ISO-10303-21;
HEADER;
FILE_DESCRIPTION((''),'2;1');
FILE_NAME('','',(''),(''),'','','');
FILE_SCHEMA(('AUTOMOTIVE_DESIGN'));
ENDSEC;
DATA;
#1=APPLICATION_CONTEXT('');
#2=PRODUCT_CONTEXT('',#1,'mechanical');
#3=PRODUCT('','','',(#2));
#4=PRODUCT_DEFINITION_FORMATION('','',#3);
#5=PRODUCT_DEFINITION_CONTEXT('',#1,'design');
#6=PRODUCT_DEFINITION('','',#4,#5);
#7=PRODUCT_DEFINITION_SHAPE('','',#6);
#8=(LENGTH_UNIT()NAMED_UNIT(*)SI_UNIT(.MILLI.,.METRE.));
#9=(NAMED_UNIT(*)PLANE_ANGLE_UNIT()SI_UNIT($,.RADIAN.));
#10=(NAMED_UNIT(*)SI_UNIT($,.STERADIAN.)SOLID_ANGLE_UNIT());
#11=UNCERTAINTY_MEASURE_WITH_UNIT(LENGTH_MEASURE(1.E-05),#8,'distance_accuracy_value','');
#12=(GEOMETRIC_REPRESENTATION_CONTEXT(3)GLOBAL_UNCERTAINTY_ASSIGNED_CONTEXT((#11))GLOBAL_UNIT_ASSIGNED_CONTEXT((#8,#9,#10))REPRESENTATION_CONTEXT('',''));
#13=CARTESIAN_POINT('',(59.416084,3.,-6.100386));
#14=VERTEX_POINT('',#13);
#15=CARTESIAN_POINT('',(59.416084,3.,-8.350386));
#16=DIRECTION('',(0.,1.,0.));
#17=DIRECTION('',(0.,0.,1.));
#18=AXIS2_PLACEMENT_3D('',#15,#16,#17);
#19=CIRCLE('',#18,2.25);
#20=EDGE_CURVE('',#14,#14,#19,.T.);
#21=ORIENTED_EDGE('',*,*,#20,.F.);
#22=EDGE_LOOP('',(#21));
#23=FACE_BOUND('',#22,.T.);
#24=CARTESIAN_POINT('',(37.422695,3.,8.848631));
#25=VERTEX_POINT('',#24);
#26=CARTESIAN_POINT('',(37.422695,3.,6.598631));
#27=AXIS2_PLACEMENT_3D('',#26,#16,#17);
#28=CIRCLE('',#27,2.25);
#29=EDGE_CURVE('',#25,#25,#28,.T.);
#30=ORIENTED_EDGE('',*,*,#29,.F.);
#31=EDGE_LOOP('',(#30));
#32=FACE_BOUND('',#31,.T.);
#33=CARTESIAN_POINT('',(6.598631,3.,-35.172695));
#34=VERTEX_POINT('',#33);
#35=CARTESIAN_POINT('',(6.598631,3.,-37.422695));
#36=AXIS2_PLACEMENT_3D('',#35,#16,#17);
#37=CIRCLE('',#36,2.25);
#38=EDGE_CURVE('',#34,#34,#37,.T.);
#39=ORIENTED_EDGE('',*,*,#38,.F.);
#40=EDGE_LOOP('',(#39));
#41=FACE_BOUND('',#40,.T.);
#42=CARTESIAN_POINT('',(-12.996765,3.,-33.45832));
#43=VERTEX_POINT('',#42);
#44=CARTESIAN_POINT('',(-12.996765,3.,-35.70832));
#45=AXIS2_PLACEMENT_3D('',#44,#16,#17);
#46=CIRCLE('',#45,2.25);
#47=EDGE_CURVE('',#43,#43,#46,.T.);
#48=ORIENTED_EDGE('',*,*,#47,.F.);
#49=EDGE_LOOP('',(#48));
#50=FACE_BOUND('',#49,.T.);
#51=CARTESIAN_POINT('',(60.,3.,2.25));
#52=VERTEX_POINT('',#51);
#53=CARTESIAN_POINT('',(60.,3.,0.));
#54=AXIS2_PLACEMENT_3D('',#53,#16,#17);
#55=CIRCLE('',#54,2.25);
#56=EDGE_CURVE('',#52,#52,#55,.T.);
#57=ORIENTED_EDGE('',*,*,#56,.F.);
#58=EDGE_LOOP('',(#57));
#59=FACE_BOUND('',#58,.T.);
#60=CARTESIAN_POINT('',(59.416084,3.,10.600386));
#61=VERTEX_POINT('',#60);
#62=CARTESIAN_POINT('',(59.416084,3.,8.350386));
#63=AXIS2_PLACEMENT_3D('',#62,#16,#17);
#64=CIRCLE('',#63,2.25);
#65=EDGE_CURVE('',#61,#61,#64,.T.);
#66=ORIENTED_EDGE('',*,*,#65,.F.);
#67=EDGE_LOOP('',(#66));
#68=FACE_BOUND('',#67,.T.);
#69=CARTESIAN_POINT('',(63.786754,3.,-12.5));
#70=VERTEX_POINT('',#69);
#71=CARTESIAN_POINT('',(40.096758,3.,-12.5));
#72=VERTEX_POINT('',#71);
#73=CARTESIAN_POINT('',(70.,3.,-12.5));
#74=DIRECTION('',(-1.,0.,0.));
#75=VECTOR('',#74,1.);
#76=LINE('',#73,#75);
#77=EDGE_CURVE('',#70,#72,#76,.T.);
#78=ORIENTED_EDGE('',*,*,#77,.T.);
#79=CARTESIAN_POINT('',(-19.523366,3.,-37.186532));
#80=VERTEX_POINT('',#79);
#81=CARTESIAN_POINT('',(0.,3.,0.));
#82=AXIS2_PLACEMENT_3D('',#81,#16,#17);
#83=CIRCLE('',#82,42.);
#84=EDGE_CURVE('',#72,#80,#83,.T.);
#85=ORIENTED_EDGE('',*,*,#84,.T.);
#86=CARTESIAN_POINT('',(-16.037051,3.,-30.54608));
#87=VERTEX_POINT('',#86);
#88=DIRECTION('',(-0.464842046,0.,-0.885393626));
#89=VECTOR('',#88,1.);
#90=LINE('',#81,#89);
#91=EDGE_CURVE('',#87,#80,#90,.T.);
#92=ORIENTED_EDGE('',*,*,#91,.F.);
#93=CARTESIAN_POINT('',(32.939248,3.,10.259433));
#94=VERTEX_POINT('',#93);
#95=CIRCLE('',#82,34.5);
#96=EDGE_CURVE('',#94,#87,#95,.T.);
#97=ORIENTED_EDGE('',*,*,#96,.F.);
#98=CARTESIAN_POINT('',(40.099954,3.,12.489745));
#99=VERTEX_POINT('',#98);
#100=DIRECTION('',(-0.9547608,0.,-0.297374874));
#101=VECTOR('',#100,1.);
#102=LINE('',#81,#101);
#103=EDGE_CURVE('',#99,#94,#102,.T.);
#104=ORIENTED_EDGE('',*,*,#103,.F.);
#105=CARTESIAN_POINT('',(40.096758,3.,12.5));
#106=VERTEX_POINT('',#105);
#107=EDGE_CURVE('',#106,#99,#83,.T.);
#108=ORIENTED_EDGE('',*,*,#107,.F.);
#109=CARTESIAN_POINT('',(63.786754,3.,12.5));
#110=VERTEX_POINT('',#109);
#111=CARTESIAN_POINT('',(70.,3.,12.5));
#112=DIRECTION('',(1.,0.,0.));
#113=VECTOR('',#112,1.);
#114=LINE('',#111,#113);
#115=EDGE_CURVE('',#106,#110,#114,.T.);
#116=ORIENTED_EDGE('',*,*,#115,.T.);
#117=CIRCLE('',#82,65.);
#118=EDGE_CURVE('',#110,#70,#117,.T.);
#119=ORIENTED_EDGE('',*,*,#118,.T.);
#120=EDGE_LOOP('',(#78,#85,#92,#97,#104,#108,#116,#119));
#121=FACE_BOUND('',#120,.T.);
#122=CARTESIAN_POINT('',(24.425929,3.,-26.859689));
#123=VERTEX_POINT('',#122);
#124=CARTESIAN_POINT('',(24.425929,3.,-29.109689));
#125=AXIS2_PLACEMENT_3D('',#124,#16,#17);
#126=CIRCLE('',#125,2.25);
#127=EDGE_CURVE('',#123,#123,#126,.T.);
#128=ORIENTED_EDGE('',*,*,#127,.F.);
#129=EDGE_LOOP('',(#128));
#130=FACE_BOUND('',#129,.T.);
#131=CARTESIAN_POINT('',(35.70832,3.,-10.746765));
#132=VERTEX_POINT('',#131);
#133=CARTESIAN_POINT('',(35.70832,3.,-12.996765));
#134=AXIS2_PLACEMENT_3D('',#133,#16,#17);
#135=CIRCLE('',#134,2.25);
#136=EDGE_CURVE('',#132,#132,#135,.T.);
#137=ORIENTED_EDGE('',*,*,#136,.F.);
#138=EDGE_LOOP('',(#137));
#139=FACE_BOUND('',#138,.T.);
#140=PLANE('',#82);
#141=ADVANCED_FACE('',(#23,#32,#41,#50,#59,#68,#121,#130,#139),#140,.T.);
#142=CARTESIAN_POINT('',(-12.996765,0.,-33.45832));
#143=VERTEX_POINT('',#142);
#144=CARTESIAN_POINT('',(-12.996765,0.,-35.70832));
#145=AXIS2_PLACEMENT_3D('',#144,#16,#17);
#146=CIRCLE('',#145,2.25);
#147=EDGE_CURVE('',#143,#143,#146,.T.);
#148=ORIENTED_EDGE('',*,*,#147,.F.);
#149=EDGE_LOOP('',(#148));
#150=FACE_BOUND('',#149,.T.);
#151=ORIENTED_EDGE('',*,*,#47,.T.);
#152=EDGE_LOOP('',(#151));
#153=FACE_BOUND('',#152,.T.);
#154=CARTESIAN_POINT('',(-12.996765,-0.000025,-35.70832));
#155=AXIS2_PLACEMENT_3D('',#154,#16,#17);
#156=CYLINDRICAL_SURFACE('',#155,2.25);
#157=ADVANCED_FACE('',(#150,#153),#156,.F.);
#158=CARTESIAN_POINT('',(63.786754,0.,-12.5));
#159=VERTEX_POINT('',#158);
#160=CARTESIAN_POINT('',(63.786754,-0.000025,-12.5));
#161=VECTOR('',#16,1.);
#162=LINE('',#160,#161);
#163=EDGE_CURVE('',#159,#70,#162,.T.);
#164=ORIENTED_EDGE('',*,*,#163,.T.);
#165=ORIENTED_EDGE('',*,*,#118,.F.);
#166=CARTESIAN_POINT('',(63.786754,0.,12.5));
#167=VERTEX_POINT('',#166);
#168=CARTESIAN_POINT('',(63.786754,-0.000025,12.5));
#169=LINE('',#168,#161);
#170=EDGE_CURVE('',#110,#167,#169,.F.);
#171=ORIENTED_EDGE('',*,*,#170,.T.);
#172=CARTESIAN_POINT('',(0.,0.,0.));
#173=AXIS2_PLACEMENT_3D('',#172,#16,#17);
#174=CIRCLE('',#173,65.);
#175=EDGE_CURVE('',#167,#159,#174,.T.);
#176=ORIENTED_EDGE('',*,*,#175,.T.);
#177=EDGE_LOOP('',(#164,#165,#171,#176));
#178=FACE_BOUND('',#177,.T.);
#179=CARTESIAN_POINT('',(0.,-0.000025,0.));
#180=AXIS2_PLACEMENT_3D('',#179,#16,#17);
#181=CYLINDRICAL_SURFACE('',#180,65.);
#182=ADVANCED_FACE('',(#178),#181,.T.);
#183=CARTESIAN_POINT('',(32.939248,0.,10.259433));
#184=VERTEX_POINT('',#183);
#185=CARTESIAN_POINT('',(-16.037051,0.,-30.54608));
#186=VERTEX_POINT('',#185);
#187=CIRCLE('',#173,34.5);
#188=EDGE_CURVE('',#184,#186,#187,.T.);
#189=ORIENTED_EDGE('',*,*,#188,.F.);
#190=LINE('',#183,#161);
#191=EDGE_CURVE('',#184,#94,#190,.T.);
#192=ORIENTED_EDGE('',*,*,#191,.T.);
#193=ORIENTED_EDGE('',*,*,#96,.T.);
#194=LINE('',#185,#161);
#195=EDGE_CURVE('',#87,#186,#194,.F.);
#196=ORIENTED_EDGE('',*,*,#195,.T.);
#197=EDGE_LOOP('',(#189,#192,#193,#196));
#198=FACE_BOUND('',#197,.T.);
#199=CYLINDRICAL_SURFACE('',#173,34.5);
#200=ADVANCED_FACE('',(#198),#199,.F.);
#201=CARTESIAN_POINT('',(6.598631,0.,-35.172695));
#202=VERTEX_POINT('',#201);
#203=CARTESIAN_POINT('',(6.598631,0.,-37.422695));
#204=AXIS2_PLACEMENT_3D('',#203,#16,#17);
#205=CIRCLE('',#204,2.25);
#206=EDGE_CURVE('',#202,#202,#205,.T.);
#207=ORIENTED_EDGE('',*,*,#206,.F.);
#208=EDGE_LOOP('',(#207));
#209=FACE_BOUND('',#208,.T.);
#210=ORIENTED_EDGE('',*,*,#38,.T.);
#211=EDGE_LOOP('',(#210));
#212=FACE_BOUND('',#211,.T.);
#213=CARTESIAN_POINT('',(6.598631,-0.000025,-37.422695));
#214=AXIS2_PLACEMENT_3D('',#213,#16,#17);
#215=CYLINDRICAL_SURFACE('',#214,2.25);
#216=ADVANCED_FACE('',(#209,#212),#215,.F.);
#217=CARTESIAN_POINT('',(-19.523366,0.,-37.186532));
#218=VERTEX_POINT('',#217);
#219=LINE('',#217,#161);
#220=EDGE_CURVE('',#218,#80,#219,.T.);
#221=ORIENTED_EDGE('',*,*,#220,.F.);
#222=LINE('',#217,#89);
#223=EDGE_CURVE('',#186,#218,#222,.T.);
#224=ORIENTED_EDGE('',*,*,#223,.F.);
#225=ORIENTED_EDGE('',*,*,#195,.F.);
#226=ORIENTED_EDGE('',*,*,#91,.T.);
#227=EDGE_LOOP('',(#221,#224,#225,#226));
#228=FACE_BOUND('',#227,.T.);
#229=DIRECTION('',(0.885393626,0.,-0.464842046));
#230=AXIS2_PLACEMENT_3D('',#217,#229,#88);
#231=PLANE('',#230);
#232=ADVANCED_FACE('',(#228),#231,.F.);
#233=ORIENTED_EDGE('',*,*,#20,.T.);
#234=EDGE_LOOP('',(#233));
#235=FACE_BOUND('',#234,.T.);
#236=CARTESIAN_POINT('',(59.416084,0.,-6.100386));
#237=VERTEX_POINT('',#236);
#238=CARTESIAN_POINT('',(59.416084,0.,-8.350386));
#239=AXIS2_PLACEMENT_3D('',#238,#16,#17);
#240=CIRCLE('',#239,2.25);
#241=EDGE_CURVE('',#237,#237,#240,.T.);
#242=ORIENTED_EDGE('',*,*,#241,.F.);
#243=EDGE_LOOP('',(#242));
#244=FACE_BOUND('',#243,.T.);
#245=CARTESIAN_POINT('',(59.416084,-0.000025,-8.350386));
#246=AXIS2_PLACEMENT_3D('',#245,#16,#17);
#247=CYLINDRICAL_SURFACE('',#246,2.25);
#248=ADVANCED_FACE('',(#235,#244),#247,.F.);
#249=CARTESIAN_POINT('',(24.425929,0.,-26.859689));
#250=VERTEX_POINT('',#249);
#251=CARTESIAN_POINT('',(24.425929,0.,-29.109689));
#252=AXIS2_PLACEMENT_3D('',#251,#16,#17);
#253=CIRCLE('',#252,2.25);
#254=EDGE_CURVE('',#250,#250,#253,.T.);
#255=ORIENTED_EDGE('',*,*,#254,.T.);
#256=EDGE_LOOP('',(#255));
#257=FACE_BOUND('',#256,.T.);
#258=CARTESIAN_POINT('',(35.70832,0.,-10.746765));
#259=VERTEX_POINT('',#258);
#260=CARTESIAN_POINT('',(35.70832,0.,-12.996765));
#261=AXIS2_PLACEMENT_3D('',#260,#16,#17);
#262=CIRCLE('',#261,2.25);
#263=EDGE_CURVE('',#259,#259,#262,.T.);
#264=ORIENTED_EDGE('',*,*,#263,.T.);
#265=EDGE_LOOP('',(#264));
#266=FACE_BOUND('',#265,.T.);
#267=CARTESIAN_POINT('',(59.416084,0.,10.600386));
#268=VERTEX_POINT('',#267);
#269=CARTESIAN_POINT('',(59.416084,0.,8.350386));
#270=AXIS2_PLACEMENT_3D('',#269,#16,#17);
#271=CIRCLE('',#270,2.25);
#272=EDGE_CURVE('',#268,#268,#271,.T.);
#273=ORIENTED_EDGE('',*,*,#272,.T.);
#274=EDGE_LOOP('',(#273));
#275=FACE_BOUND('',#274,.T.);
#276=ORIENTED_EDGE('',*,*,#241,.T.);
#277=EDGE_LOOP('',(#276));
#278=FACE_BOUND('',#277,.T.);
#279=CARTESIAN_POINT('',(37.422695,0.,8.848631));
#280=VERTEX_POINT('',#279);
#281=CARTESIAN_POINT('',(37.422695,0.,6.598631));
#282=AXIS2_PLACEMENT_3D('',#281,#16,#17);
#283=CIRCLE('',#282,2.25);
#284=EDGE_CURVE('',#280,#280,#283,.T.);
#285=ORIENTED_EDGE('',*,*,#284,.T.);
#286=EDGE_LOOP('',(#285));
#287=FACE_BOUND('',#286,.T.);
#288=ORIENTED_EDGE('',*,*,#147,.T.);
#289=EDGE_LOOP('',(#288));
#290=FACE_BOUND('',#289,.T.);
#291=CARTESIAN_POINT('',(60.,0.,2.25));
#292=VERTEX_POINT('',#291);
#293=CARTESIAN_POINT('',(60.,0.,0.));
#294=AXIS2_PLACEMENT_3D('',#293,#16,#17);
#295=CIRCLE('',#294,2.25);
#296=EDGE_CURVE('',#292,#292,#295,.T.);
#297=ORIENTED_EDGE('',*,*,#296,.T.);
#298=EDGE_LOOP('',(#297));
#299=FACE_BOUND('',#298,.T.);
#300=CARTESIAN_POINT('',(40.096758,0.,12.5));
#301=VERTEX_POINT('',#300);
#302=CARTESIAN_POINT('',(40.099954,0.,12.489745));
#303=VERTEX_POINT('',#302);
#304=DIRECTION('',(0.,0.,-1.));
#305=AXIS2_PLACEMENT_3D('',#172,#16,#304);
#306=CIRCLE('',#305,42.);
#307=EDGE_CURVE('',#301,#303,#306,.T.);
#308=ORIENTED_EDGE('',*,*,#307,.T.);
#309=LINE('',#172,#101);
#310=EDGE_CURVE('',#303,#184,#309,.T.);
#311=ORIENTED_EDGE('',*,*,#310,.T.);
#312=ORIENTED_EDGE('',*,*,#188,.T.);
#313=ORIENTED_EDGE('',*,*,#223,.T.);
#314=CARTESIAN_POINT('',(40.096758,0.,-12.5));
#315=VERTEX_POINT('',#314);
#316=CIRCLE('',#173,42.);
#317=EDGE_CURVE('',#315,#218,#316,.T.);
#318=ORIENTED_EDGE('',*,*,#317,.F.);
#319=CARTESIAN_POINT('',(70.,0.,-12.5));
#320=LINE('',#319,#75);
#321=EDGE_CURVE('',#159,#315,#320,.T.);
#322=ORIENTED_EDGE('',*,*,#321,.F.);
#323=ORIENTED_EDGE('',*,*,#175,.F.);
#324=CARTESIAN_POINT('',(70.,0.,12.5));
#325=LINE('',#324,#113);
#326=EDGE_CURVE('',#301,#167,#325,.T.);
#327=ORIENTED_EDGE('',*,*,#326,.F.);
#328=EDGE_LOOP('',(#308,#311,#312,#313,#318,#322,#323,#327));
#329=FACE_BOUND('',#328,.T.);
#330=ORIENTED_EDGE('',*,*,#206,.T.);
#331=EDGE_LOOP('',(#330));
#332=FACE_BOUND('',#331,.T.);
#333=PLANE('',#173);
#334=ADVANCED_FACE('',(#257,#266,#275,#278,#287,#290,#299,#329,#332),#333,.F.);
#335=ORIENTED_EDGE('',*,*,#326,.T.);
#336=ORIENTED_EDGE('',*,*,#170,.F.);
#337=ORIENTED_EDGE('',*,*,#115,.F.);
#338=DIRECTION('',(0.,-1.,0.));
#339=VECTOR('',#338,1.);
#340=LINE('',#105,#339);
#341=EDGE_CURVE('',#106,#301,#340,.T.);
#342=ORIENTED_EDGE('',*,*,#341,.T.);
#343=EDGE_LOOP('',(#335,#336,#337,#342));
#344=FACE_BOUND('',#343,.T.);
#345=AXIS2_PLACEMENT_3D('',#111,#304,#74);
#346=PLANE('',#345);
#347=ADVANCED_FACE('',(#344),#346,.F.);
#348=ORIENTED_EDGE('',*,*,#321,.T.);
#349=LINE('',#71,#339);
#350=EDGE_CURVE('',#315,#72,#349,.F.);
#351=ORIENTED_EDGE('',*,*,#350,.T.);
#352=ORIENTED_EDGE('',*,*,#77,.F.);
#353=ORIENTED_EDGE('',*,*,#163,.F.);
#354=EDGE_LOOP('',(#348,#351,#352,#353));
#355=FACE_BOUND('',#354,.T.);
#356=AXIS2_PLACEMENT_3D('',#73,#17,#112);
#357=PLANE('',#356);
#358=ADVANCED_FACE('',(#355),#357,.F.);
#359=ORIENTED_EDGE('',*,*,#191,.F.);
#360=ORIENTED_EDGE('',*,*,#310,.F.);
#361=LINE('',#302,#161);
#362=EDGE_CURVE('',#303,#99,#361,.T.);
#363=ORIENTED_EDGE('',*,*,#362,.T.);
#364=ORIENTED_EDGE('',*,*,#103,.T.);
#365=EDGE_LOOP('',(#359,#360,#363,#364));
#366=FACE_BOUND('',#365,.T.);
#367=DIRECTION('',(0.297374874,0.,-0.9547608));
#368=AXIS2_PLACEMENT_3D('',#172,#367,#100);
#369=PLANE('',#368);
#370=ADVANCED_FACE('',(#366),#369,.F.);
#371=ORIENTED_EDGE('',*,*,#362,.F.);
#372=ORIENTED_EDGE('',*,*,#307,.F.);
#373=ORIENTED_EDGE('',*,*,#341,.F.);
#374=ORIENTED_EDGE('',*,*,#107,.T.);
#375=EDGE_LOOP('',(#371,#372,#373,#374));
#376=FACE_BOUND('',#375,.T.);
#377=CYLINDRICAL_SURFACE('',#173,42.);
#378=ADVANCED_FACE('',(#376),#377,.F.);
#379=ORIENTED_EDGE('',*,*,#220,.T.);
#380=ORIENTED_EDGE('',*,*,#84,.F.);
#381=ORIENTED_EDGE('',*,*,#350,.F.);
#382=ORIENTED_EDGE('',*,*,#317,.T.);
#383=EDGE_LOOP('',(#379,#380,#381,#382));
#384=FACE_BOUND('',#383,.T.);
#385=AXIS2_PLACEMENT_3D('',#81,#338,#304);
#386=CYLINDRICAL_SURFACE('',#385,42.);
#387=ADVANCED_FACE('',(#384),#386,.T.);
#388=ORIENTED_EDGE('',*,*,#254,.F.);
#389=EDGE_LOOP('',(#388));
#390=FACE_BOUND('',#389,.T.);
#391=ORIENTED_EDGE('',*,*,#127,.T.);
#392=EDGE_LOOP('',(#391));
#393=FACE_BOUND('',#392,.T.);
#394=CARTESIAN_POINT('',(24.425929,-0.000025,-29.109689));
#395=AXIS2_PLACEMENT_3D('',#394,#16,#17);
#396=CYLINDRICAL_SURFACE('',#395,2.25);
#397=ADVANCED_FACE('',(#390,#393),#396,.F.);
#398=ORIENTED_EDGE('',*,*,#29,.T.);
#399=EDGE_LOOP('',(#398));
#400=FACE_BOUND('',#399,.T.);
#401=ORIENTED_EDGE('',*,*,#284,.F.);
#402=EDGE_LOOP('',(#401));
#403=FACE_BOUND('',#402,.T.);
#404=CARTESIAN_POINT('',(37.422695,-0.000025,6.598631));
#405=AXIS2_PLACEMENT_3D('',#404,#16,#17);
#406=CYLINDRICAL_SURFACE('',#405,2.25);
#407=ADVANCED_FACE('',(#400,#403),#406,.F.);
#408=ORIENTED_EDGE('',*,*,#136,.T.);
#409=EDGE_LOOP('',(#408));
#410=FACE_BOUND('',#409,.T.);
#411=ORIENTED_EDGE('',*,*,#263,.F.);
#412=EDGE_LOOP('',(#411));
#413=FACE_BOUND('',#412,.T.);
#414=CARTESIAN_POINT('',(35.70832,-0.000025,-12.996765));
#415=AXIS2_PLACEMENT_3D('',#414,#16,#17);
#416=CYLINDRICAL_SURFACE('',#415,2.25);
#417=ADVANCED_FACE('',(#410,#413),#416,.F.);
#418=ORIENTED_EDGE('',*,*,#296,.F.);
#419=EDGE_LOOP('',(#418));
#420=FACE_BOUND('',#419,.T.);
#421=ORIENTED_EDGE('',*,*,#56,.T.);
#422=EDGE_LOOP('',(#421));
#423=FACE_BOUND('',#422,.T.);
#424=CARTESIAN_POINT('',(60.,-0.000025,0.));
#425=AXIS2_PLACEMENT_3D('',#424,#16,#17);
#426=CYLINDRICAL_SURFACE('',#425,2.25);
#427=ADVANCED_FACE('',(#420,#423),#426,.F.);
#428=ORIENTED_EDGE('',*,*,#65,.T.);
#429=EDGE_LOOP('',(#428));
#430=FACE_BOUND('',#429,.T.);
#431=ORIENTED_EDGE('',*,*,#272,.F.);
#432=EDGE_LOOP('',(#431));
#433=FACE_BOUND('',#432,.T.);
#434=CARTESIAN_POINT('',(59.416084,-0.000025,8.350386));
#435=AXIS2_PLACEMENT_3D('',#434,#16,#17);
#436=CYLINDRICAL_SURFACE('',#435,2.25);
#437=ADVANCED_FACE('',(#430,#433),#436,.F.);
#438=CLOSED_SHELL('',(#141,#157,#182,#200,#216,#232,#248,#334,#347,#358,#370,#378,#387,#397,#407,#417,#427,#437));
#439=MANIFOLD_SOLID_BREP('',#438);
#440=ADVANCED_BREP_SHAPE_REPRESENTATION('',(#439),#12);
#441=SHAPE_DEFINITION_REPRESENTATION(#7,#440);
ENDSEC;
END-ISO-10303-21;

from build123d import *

# Parameters (mm, degrees)
SKETCH1_R                       = 42
BOSS_EXTRUDE1_DEPTH             = 3
SKETCH2_W                       = 70
SKETCH2_H                       = 25
BOSS_EXTRUDE2_DEPTH             = 3
SKETCH3_R                       = 34.5
CUT_EXTRUDE1_DEPTH              = 1
CUT_EXTRUDE1_DEPTH_BACK         = 4
CUT_EXTRUDE2_DEPTH              = 1
CUT_EXTRUDE2_DEPTH_BACK         = 4
CUT_EXTRUDE3_START              = -4
SKETCH5_R                       = 2.25
CUT_EXTRUDE3_DEPTH              = 5
CIRPATTERN1_COUNT               = 12
SKETCH6_R                       = 122.183782822
SKETCH6_R_2                     = 65
CUT_EXTRUDE4_DEPTH              = 4
CUT_EXTRUDE4_DEPTH_BACK         = 1
CUT_EXTRUDE5_START              = -4
SKETCH7_R                       = 2.25
CUT_EXTRUDE5_DEPTH              = 5
CIRPATTERN2_COUNT               = 2
CIRPATTERN2_ANGLE               = 8
CIRPATTERN2_THE_OTHER_WAY_COUNT = 2
CIRPATTERN2_THE_OTHER_WAY_ANGLE = 8


with BuildPart() as part:
    # Sketch1 → Boss-Extrude1 (new body)
    with BuildSketch(Plane(origin=(0, 0, 0), x_dir=(1, 0, 0), z_dir=(0, 1, 0))):
        Circle(SKETCH1_R)
    extrude(amount=BOSS_EXTRUDE1_DEPTH)

    # Sketch2 → Boss-Extrude2 (add)
    with BuildSketch(Plane(origin=(0, 0, 0), x_dir=(1, 0, 0), z_dir=(0, 1, 0))):
        with Locations((35, 0)):
            Rectangle(SKETCH2_W, SKETCH2_H)
    extrude(amount=BOSS_EXTRUDE2_DEPTH)

    # Sketch3 → Cut-Extrude1 (cut, two sides)
    with BuildSketch(Plane(origin=(0, 3, 0), x_dir=(1, 0, 0), z_dir=(0, 1, 0))) as cut_extrude1_sk:
        Circle(SKETCH3_R)
    extrude(amount=CUT_EXTRUDE1_DEPTH, mode=Mode.SUBTRACT)
    extrude(cut_extrude1_sk.sketch, amount=-CUT_EXTRUDE1_DEPTH_BACK, mode=Mode.SUBTRACT)

    # Sketch4 → Cut-Extrude2 (cut, two sides)
    with BuildSketch(Plane(origin=(0, 3, 0), x_dir=(1, 0, 0), z_dir=(0, 1, 0))) as cut_extrude2_sk:
        with BuildLine():
            Line((0, 0), (40.099953579, -12.489744711))
            ThreePointArc((40.099953579, -12.489744711), (-26.884607378, -32.267907991), (-19.52336592, 37.186532282))
            Line((-19.52336592, 37.186532282), (0, 0))
        make_face()
    extrude(amount=CUT_EXTRUDE2_DEPTH, mode=Mode.SUBTRACT)
    extrude(cut_extrude2_sk.sketch, amount=-CUT_EXTRUDE2_DEPTH_BACK, mode=Mode.SUBTRACT)

    # Sketch5 → Cut-Extrude3 (cut)
    with BuildSketch(Plane(origin=(0, 3, 0), x_dir=(1, 0, 0), z_dir=(0, 1, 0)).offset(CUT_EXTRUDE3_START)):
        with Locations((-12.996765446, 35.70831959)):
            Circle(SKETCH5_R)
    cut_extrude3 = extrude(amount=CUT_EXTRUDE3_DEPTH, mode=Mode.SUBTRACT)

    # CirPattern1: Cut-Extrude3 ×12 about axis
    cirpattern1_axis = Axis((0, 0, 0), (0, -1, 0))
    for i in range(1, CIRPATTERN1_COUNT):
        add(cut_extrude3.rotate(cirpattern1_axis, i * 360 / CIRPATTERN1_COUNT), mode=Mode.SUBTRACT)

    # Sketch6 → Cut-Extrude4 (cut, two sides)
    with BuildSketch(Plane(origin=(0, 0, 0), x_dir=(1, 0, 0), z_dir=(0, 1, 0))) as cut_extrude4_sk:
        Circle(SKETCH6_R)
        Circle(SKETCH6_R_2, mode=Mode.SUBTRACT)
    extrude(amount=CUT_EXTRUDE4_DEPTH, mode=Mode.SUBTRACT)
    extrude(cut_extrude4_sk.sketch, amount=-CUT_EXTRUDE4_DEPTH_BACK, mode=Mode.SUBTRACT)

    # Sketch7 → Cut-Extrude5 (cut)
    with BuildSketch(Plane(origin=(0, 3, 0), x_dir=(1, 0, 0), z_dir=(0, 1, 0)).offset(CUT_EXTRUDE5_START)):
        with Locations((60, 0)):
            Circle(SKETCH7_R)
    cut_extrude5 = extrude(amount=CUT_EXTRUDE5_DEPTH, mode=Mode.SUBTRACT)

    # CirPattern2: Cut-Extrude5 ×2 about axis
    cirpattern2_axis = Axis((0, 3, 0), (0, 1, 0))
    for i in range(1, CIRPATTERN2_COUNT):
        add(cut_extrude5.rotate(cirpattern2_axis, i * CIRPATTERN2_ANGLE / (CIRPATTERN2_COUNT - 1)), mode=Mode.SUBTRACT)

    # CirPattern2 the other way: Cut-Extrude5 ×2 about axis
    cirpattern2_the_other_way_axis = Axis((0, 3, 0), (0, -1, 0))
    for i in range(1, CIRPATTERN2_THE_OTHER_WAY_COUNT):
        add(cut_extrude5.rotate(cirpattern2_the_other_way_axis, i * CIRPATTERN2_THE_OTHER_WAY_ANGLE / (CIRPATTERN2_THE_OTHER_WAY_COUNT - 1)), mode=Mode.SUBTRACT)


solid = part.part
